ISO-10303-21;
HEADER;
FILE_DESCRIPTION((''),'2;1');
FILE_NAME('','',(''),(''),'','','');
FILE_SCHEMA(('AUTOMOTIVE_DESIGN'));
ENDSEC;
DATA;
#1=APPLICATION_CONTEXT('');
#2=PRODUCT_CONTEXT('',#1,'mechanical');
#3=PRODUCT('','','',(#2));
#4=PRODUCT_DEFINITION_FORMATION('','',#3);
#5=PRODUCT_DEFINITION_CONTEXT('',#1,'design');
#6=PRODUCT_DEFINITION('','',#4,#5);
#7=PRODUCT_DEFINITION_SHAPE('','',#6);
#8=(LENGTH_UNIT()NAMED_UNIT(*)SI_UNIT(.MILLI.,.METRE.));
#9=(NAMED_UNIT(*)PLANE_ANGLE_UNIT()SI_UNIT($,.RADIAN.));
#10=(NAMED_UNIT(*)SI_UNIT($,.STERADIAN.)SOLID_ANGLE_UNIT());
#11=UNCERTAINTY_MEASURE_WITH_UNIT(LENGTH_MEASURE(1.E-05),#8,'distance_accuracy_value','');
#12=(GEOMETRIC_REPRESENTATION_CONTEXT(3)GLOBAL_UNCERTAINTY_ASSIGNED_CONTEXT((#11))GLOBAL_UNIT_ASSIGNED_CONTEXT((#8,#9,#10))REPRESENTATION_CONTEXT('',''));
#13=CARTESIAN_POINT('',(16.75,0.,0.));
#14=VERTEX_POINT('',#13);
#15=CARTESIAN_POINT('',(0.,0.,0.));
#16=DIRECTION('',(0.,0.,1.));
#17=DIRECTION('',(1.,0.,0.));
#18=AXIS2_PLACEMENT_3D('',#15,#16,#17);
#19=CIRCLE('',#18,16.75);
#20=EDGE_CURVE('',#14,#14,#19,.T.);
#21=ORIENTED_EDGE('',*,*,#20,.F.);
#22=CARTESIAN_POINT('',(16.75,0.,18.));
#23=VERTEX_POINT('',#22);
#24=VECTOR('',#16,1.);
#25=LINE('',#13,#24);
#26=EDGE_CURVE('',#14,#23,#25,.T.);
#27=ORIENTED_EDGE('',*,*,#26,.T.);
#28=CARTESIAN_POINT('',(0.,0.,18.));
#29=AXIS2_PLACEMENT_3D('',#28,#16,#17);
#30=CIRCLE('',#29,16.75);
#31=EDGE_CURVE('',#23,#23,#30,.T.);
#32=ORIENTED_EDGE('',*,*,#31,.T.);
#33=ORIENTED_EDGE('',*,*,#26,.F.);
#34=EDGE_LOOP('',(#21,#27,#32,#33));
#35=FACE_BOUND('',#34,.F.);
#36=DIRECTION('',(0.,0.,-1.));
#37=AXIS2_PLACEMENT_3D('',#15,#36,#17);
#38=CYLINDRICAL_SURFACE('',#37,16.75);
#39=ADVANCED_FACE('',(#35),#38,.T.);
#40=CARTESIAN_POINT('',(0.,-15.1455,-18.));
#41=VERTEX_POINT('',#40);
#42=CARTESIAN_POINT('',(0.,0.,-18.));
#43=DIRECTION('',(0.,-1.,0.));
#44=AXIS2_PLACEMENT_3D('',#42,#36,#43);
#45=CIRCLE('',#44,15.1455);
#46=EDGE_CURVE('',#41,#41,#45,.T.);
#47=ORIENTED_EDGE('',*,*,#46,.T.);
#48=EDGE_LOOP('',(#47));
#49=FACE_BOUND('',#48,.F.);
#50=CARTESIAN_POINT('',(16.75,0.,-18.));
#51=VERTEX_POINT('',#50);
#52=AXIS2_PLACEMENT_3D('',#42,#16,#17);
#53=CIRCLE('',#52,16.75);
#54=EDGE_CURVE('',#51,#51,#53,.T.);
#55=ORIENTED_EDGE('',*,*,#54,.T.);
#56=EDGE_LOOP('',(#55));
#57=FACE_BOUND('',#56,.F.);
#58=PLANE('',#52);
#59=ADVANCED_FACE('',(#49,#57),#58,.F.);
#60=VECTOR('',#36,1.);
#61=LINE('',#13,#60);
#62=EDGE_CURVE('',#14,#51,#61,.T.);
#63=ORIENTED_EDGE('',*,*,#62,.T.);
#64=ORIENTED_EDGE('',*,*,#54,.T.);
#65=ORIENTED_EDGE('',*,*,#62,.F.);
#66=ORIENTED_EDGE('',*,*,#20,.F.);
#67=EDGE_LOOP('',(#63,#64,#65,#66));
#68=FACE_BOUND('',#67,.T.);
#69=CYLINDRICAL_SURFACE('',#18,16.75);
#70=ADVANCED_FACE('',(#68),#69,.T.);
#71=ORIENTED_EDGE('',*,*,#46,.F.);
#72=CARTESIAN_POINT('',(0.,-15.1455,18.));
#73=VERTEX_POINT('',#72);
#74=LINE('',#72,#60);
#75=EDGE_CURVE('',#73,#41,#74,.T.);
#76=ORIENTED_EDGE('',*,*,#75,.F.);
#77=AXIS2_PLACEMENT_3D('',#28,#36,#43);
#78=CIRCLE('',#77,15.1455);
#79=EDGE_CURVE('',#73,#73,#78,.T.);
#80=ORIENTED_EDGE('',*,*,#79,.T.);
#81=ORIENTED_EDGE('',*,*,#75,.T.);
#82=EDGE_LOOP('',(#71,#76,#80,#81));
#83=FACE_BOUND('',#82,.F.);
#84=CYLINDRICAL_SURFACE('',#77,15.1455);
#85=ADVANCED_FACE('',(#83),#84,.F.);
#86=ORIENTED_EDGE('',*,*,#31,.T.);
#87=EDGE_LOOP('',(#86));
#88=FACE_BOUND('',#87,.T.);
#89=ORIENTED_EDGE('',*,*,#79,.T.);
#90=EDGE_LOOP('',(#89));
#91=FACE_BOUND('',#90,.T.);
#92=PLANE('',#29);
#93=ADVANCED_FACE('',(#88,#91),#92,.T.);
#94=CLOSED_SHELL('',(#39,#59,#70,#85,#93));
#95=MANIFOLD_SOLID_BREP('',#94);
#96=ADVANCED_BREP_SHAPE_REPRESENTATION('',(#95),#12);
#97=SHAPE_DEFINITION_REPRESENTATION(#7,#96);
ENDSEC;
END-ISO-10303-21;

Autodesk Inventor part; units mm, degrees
ref_plane "YZ Plane" through (0, 0, 0) normal (1, 0, 0) x (0, 1, 0)
ref_plane "XZ Plane" through (0, 0, 0) normal (0, 1, 0) x (-1, 0, 0)
ref_plane "XY Plane" through (0, 0, 0) normal (0, 0, 1) x (1, 0, 0)
sketch "Sketch1" plane through (0, 0, 0) normal (0, 0, 1) x (1, 0, 0)
  circle A0 centre (0, 0) radius 16.75
  dimension "d0" = 33.5
extrude "Extrusion1" add sketch "Sketch1" along normal mid plane 36
sketch "Sketch2" plane through (0, 0, 18) normal (0, 0, 1) x (1, 0, 0)
  point P0 (0, 0)
  point P1 (0, 0)
hole "Hole1" at (0, 0, 18) direction (0, 0, -1) diameter 30.291 end through all thread size "G33.249x2.309" designation "G 1" standard "ISO Pipe Threads"
properties part number "Fitting G1"
